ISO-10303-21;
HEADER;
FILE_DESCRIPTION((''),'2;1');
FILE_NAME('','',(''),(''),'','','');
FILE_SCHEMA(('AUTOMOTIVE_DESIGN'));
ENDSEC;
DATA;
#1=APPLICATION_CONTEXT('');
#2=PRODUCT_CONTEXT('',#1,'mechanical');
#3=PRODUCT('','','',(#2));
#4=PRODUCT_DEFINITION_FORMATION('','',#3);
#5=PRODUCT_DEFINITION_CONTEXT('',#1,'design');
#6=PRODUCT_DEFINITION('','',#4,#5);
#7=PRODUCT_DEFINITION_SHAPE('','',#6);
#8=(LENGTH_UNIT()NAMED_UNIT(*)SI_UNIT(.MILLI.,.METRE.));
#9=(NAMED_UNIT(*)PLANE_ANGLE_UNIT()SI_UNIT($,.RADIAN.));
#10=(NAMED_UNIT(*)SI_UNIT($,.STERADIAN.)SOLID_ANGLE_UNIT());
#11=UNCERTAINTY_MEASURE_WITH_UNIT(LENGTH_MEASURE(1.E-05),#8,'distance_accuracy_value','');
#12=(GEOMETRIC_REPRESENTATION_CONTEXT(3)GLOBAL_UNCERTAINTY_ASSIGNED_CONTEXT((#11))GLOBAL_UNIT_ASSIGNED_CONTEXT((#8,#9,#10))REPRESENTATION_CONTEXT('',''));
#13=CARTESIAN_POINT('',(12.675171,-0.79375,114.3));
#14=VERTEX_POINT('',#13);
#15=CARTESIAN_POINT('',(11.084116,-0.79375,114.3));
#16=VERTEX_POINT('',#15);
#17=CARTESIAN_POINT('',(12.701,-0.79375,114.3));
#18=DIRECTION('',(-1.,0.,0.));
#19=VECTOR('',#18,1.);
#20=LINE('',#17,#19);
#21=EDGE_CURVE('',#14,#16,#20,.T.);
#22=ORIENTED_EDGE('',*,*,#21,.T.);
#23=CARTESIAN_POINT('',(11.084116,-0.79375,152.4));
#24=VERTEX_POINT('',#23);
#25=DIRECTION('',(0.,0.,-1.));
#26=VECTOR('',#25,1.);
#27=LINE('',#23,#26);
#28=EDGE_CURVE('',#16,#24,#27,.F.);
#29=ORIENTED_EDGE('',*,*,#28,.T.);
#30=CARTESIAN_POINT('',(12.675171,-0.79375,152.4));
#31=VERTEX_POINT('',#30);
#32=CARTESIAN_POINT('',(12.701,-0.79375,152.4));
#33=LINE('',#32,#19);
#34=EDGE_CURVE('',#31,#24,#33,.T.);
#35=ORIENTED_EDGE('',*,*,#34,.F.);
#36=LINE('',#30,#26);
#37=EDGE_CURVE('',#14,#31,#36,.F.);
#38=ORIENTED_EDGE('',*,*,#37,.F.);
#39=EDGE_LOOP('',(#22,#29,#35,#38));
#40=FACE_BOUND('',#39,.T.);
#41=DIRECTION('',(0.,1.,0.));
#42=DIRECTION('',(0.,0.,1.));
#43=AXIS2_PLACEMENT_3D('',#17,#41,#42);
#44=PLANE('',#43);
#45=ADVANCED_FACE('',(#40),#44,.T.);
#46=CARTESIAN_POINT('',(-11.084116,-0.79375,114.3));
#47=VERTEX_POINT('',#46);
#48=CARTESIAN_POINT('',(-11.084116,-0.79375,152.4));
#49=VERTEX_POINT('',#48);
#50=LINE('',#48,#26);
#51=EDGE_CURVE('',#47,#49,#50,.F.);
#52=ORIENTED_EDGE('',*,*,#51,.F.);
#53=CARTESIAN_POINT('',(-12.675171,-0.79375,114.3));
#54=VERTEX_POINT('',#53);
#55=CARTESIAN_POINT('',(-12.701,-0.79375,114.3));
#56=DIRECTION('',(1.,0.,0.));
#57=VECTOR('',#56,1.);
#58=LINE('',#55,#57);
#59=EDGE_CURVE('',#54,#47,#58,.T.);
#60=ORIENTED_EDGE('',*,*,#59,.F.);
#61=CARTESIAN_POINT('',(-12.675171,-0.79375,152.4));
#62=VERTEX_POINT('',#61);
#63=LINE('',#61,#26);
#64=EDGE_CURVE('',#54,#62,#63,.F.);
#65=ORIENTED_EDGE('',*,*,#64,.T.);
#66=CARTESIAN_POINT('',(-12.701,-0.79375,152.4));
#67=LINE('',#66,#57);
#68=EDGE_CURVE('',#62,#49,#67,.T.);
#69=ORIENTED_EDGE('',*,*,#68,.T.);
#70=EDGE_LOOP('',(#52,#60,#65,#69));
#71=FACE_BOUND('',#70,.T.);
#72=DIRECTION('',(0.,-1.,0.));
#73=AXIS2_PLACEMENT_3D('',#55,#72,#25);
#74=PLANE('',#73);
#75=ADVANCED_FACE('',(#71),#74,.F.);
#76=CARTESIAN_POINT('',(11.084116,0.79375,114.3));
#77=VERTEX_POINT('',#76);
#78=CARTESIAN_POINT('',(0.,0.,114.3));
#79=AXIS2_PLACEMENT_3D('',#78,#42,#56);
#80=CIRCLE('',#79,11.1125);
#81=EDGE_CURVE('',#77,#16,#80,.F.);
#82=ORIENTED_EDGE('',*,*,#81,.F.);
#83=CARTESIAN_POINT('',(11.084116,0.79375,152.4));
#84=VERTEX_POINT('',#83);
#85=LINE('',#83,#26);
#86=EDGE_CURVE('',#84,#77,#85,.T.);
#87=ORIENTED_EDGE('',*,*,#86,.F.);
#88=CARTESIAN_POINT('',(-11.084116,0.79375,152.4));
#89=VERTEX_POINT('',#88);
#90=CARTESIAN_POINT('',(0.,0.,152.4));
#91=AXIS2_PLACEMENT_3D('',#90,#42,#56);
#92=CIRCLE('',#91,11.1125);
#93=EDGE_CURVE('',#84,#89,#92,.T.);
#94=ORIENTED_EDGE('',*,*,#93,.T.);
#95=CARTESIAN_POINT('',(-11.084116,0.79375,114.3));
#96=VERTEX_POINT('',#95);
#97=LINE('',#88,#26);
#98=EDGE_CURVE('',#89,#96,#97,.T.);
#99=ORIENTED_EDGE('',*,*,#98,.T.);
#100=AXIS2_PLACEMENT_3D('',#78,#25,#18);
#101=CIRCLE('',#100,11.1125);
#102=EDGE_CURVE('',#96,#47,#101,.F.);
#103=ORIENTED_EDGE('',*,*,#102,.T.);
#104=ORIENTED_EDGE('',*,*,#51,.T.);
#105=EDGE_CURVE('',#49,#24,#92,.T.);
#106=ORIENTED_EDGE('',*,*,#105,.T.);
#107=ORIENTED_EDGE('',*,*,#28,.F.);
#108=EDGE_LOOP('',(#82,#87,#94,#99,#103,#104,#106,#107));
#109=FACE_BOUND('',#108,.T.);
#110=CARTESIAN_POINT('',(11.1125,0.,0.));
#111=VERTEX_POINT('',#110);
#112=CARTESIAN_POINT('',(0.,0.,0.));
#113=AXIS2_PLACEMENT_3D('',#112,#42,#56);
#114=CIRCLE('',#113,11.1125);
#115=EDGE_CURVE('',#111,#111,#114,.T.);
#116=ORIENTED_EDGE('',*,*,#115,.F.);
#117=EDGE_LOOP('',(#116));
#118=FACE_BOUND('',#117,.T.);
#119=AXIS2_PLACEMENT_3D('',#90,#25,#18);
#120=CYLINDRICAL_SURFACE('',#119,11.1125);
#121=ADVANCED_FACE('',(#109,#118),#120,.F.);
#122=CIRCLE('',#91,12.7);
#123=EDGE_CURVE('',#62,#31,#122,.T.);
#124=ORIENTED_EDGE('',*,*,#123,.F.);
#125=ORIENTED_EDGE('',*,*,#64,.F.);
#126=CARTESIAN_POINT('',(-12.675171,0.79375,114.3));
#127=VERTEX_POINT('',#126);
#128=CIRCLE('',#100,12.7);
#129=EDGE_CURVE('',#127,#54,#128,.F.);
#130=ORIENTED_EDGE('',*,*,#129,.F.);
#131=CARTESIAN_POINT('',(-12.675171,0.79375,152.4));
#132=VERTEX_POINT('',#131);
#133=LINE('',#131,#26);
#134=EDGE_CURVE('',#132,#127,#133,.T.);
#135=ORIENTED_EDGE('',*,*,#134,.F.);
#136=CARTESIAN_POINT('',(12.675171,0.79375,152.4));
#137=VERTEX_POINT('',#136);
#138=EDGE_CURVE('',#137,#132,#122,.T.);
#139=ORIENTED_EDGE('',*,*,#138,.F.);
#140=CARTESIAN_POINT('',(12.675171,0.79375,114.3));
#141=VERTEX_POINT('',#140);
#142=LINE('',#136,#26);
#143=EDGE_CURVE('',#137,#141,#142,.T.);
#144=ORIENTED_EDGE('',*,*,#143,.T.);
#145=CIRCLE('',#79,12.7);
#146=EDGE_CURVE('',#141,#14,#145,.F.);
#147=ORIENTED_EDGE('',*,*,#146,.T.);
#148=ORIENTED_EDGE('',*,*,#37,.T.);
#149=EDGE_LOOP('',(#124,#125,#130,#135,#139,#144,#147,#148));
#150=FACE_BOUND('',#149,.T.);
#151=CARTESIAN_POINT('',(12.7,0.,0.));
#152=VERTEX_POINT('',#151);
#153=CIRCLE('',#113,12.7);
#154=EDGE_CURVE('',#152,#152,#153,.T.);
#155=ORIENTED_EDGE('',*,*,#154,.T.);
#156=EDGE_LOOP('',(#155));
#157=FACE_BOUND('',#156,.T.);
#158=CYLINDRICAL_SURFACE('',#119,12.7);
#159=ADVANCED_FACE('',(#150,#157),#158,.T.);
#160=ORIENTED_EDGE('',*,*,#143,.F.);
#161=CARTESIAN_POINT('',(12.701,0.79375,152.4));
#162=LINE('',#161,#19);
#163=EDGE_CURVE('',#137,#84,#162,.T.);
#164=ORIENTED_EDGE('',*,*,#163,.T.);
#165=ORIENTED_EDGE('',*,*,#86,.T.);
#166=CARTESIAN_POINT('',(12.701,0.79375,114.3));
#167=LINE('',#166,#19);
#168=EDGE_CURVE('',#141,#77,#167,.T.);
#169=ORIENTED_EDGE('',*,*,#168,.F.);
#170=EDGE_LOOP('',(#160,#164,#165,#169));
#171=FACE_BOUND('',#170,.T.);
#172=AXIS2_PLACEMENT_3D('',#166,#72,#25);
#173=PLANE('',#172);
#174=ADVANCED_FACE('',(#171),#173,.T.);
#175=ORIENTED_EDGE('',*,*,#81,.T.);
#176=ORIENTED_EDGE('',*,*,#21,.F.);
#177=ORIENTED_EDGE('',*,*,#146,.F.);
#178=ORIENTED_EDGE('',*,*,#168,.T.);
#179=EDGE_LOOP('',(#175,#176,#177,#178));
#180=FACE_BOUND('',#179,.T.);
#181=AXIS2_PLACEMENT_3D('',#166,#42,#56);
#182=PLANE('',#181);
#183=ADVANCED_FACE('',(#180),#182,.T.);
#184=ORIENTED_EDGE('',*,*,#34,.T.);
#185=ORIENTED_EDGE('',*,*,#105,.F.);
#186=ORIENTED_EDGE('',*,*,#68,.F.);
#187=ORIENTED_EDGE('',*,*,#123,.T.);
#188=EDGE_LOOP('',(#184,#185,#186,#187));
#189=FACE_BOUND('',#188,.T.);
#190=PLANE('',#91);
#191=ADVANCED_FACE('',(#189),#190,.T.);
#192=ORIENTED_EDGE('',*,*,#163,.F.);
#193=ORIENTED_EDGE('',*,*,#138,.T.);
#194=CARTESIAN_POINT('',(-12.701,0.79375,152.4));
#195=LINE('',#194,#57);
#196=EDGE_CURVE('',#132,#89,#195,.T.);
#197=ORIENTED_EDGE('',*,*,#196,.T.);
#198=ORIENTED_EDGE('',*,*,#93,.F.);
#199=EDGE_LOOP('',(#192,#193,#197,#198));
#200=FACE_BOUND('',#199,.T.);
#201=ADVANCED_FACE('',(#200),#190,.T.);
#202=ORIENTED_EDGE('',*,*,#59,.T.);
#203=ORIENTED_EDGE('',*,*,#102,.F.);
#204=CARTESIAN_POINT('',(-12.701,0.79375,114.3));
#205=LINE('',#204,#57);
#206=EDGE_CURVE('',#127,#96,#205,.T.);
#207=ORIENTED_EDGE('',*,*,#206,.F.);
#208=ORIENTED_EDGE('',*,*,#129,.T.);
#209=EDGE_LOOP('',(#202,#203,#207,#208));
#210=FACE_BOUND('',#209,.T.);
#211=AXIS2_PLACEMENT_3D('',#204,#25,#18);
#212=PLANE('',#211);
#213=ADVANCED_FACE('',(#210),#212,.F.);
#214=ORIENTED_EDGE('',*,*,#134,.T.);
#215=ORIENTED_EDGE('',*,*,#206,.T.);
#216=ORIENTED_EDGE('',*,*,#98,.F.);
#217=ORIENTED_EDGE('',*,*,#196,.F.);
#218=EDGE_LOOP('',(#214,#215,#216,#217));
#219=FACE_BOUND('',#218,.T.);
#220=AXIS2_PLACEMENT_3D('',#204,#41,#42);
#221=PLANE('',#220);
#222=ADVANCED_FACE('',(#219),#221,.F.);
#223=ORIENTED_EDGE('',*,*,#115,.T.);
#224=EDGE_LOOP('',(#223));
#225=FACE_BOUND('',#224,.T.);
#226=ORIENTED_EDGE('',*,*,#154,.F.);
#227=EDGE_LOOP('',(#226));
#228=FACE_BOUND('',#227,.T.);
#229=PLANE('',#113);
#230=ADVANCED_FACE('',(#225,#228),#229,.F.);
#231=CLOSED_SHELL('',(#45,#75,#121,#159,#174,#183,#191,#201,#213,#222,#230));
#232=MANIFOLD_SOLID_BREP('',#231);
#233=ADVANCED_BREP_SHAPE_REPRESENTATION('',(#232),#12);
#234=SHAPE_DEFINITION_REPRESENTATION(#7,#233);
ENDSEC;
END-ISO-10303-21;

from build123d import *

# Parameters (mm, degrees)
SKETCH1_R                      = 12.7
SKETCH1_R_2                    = 11.1125
EXTRUDE1_DEPTH                 = 152.4
CUT_EXTRUDE1_REACH             = 14.7
SKETCH2_W                      = 38.1
SKETCH2_H                      = 1.5875
CUT_EXTRUDE1_DIRECTION_2_REACH = 14.7


with BuildPart() as part:
    # Sketch1 → Extrude1 (new body)
    with BuildSketch(Plane.XY):
        Circle(SKETCH1_R)
        Circle(SKETCH1_R_2, mode=Mode.SUBTRACT)
    extrude(amount=EXTRUDE1_DEPTH)

    # Sketch2 → Cut-Extrude1 (cut, up to next)
    with BuildSketch(Plane(origin=(0, 0, 0), x_dir=(0, 0, -1), z_dir=(1, 0, 0)), mode=Mode.PRIVATE) as cut_extrude1_sk1:
        with Locations((-133.35, 0)):
            Rectangle(SKETCH2_W, SKETCH2_H)
    cut_extrude1_tool1 = extrude(cut_extrude1_sk1.sketch, amount=-CUT_EXTRUDE1_REACH, mode=Mode.PRIVATE) & part.part
    add(cut_extrude1_tool1.solids().sort_by_distance((0, 0, 133.35))[0], mode=Mode.SUBTRACT)

    # Sketch2 → Cut-Extrude1 direction 2 (cut, up to next)
    with BuildSketch(Plane(origin=(0, 0, 0), x_dir=(0, 0, -1), z_dir=(1, 0, 0)), mode=Mode.PRIVATE) as cut_extrude1_direction_2_sk1:
        with Locations((-133.35, 0)):
            Rectangle(SKETCH2_W, SKETCH2_H)
    cut_extrude1_direction_2_tool1 = extrude(cut_extrude1_direction_2_sk1.sketch, amount=CUT_EXTRUDE1_DIRECTION_2_REACH, mode=Mode.PRIVATE) & part.part
    add(cut_extrude1_direction_2_tool1.solids().sort_by_distance((0, 0, 133.35))[0], mode=Mode.SUBTRACT)


solid = part.part
